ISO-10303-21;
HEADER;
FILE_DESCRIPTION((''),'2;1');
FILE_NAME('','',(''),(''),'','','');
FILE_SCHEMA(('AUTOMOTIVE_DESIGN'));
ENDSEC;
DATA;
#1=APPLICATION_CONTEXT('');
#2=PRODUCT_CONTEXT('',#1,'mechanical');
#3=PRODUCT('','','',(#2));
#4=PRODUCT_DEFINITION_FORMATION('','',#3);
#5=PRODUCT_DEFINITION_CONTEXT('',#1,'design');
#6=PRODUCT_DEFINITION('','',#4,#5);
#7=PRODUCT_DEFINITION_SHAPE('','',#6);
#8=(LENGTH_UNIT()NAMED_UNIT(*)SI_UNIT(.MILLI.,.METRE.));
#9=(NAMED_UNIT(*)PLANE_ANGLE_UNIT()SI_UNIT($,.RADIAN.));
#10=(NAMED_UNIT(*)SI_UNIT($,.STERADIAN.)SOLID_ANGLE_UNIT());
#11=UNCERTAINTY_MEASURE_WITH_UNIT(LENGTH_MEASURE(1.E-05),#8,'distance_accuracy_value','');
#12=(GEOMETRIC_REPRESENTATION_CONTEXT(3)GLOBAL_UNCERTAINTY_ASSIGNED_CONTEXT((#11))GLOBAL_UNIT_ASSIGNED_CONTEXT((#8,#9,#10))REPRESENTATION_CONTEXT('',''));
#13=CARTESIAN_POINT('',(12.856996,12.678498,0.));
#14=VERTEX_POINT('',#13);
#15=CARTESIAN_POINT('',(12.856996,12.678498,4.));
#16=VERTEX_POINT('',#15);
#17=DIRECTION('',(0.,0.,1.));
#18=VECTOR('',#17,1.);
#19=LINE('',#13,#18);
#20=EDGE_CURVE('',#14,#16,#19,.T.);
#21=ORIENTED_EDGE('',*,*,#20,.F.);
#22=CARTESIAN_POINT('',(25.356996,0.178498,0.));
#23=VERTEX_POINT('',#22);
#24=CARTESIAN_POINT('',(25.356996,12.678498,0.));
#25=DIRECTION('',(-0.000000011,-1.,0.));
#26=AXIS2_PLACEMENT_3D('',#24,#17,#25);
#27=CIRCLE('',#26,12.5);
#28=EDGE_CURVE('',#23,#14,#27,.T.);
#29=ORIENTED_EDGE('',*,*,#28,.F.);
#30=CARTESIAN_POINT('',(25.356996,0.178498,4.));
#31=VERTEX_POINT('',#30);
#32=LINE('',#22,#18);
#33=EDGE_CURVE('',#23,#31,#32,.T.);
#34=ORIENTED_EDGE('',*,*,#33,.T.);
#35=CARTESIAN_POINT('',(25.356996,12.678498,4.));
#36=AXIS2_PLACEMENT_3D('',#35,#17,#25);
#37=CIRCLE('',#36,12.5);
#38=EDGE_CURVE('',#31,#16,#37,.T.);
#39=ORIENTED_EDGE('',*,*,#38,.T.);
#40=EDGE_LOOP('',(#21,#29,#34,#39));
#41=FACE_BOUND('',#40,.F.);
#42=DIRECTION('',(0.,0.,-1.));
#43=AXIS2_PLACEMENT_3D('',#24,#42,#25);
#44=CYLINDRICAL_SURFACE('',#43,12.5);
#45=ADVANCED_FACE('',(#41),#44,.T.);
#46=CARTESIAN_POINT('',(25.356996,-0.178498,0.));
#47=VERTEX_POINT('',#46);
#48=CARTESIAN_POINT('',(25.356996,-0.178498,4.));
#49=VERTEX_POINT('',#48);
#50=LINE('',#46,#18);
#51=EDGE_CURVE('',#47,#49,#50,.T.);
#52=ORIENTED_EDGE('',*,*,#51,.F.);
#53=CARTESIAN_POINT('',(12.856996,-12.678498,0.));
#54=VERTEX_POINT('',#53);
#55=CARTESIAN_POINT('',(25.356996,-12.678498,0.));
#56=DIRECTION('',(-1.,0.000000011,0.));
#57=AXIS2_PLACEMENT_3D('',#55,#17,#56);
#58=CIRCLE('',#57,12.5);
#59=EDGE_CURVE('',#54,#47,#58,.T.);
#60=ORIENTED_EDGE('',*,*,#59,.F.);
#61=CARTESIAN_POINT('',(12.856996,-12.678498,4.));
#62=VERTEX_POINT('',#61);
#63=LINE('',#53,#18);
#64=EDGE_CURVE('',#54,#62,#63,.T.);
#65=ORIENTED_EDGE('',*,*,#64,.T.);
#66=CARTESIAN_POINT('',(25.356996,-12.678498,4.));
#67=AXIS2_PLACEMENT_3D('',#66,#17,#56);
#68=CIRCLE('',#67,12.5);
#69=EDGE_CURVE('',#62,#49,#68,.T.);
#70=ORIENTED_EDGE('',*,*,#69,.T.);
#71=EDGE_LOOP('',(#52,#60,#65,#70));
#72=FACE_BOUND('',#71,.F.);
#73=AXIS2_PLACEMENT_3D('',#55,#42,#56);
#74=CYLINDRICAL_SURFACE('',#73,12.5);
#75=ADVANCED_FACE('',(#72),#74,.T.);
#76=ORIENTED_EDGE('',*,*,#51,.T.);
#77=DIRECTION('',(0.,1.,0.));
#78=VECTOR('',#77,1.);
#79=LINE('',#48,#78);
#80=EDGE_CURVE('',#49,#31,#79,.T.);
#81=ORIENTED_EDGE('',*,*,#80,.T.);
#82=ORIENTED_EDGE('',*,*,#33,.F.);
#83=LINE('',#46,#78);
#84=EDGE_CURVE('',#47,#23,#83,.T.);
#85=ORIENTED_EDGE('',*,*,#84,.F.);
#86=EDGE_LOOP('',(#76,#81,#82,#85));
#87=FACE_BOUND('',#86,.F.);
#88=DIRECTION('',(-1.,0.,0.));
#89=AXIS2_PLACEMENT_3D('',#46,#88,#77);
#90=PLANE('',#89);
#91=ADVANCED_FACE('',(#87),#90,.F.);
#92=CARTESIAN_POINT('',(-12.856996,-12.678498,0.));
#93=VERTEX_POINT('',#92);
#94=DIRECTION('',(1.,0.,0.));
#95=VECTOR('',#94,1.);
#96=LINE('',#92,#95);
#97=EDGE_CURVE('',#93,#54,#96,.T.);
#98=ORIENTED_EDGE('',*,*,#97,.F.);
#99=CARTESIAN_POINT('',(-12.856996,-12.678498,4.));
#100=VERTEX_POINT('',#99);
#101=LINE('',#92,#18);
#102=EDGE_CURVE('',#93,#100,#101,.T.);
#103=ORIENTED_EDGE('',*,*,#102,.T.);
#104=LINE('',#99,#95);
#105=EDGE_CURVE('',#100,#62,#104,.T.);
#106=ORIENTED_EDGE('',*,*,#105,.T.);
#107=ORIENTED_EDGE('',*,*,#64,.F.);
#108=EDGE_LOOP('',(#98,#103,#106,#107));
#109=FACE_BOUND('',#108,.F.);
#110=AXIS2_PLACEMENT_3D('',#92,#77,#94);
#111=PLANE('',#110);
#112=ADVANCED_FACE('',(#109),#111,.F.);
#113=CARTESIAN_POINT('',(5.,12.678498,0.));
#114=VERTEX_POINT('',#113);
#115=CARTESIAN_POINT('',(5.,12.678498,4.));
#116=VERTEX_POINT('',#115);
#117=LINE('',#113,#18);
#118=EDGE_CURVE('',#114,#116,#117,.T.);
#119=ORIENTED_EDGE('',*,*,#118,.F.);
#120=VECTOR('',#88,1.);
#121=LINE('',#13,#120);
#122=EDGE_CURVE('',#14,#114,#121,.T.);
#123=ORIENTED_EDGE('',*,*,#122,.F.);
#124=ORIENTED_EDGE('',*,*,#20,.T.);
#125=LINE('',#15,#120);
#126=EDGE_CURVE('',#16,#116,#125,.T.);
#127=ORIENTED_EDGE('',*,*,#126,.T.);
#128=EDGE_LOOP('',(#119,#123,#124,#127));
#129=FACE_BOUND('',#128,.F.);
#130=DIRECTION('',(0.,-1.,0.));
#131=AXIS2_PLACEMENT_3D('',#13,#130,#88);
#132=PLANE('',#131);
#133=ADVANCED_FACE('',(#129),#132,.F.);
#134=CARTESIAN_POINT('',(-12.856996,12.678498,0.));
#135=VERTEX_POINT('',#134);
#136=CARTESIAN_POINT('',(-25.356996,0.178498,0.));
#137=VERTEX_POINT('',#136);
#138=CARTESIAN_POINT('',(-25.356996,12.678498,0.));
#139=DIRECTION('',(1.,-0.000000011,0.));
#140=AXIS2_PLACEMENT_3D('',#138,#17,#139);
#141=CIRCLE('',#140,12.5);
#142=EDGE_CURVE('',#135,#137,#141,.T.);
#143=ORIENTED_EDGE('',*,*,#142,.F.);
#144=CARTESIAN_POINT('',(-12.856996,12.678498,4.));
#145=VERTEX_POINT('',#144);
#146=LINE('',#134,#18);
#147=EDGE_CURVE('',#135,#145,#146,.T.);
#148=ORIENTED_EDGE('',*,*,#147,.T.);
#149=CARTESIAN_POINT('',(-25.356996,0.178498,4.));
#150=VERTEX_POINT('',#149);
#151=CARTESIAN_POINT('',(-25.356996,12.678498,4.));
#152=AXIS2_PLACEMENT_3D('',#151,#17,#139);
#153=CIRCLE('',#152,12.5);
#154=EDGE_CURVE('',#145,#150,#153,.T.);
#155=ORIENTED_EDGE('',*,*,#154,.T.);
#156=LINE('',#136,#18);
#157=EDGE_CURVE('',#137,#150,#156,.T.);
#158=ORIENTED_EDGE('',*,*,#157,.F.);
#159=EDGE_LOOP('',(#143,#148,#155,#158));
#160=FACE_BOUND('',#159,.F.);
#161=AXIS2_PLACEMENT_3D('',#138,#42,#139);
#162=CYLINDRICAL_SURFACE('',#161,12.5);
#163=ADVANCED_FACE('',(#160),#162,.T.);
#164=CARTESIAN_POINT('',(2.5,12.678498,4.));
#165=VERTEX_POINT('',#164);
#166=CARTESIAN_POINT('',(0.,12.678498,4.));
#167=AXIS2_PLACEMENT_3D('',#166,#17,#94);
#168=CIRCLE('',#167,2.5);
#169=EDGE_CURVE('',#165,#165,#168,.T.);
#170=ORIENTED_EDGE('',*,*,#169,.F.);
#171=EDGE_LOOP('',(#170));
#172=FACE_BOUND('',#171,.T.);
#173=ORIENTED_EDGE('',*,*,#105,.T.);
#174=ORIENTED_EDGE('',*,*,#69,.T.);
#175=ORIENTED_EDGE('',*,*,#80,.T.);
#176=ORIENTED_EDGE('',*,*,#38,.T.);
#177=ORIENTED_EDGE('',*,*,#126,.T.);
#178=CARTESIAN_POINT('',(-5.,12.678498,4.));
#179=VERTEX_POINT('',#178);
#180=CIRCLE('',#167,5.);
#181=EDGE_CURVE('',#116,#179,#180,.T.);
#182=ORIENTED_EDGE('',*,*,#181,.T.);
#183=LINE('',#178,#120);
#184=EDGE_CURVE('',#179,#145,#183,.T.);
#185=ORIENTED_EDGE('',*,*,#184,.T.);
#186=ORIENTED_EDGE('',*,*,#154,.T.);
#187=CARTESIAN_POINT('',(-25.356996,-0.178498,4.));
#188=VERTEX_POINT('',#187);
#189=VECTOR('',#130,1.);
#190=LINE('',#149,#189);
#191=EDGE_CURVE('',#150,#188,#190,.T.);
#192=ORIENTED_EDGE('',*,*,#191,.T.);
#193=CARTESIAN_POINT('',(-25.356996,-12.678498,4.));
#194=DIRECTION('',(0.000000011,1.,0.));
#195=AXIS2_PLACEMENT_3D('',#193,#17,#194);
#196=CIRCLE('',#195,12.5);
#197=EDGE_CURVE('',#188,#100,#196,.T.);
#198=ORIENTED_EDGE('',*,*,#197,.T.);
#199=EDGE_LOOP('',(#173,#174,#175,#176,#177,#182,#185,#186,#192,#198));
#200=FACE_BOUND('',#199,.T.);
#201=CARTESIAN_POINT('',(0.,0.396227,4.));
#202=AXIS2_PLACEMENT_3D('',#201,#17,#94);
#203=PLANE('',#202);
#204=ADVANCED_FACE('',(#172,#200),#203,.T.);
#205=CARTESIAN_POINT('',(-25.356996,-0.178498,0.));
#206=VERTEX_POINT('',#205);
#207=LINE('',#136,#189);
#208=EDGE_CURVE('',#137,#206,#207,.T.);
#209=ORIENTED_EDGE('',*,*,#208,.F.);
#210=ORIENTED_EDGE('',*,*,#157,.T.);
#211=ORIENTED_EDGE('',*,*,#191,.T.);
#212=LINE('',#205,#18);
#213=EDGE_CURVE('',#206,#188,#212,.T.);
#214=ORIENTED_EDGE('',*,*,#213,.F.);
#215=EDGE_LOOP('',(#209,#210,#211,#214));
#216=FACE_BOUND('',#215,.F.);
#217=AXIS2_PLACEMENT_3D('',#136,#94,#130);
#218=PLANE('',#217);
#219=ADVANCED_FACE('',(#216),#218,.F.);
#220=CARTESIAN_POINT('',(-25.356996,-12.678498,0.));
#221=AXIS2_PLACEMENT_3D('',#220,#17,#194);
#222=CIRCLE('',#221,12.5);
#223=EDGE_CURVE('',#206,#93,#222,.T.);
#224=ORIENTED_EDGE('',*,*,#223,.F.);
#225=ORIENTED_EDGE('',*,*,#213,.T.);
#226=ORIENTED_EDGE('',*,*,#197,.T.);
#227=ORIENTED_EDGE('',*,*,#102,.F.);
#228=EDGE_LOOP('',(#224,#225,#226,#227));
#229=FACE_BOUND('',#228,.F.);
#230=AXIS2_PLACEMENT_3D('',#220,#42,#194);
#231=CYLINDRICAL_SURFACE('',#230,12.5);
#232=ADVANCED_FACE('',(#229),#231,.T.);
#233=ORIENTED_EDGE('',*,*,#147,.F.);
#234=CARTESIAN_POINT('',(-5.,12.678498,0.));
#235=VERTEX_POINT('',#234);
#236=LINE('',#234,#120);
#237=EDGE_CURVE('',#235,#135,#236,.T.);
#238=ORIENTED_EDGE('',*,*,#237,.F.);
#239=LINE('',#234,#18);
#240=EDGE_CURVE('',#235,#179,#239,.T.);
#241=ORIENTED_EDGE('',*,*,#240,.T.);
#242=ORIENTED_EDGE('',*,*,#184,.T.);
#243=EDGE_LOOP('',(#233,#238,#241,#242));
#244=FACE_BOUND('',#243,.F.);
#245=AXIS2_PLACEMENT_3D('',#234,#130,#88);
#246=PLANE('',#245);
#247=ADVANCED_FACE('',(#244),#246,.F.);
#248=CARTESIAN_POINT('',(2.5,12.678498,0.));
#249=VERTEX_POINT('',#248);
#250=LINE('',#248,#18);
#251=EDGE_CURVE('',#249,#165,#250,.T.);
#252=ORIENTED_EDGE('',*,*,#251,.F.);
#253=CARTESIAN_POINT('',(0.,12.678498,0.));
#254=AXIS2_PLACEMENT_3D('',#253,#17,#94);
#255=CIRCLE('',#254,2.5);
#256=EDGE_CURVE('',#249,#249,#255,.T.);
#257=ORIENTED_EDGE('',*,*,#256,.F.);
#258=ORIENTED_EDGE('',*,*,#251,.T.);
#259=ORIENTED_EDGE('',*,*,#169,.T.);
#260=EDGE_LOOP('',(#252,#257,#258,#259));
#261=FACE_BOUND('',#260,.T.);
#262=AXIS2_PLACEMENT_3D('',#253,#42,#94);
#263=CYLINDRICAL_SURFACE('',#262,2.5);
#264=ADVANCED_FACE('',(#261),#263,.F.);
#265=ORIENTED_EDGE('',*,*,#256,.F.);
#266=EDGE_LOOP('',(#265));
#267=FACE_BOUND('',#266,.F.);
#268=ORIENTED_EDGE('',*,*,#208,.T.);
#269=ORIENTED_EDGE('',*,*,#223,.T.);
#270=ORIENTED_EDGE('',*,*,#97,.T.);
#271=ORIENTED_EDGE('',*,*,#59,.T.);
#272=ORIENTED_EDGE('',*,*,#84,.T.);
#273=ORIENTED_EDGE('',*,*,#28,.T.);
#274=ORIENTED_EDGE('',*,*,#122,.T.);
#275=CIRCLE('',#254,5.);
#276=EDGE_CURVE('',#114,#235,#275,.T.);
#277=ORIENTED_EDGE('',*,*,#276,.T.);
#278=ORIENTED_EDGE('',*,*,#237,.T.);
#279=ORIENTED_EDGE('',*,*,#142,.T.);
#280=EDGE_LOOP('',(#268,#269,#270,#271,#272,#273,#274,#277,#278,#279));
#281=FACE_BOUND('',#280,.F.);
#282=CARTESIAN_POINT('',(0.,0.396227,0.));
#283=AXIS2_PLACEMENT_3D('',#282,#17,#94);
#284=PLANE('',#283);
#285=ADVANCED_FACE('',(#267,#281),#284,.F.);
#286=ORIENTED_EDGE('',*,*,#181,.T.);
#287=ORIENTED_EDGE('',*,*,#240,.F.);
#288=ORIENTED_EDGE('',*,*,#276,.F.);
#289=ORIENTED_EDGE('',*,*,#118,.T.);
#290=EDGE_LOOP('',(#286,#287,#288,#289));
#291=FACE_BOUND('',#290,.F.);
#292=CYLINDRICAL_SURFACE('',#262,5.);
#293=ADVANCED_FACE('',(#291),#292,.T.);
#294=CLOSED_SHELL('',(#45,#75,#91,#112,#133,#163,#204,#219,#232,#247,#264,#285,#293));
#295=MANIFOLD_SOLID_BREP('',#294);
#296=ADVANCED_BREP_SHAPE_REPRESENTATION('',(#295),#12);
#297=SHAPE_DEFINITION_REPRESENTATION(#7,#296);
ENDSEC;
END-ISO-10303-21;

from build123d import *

# Parameters (mm, degrees)
F0_R     = 2.5
F1_DEPTH = 4


with BuildPart() as f1:
    # F0 (on Top) → F1 (new body)
    with BuildSketch(Plane.XY):
        with BuildLine():
            Line((-12.856996, -12.678498), (12.856996, -12.678498))
            ThreePointArc((12.856996, -12.678498), (34.195831, -21.517333), (25.356996, -0.178498))
            Line((25.356996, -0.178498), (25.356996, 0.178498))
            ThreePointArc((25.356996, 0.178498), (34.195831, 21.517333), (12.856996, 12.678498))
            Line((12.856996, 12.678498), (5, 12.678498))
            ThreePointArc((5, 12.678498), (0, 17.678498), (-5, 12.678498))
            Line((-5, 12.678498), (-12.856996, 12.678498))
            ThreePointArc((-12.856996, 12.678498), (-34.195831, 21.517333), (-25.356996, 0.178498))
            Line((-25.356996, 0.178498), (-25.356996, -0.178498))
            ThreePointArc((-25.356996, -0.178498), (-34.195831, -21.517333), (-12.856996, -12.678498))
        make_face()
        with Locations((0, 12.678498)):
            Circle(F0_R, mode=Mode.SUBTRACT)
    extrude(amount=F1_DEPTH)


solid = f1.part
